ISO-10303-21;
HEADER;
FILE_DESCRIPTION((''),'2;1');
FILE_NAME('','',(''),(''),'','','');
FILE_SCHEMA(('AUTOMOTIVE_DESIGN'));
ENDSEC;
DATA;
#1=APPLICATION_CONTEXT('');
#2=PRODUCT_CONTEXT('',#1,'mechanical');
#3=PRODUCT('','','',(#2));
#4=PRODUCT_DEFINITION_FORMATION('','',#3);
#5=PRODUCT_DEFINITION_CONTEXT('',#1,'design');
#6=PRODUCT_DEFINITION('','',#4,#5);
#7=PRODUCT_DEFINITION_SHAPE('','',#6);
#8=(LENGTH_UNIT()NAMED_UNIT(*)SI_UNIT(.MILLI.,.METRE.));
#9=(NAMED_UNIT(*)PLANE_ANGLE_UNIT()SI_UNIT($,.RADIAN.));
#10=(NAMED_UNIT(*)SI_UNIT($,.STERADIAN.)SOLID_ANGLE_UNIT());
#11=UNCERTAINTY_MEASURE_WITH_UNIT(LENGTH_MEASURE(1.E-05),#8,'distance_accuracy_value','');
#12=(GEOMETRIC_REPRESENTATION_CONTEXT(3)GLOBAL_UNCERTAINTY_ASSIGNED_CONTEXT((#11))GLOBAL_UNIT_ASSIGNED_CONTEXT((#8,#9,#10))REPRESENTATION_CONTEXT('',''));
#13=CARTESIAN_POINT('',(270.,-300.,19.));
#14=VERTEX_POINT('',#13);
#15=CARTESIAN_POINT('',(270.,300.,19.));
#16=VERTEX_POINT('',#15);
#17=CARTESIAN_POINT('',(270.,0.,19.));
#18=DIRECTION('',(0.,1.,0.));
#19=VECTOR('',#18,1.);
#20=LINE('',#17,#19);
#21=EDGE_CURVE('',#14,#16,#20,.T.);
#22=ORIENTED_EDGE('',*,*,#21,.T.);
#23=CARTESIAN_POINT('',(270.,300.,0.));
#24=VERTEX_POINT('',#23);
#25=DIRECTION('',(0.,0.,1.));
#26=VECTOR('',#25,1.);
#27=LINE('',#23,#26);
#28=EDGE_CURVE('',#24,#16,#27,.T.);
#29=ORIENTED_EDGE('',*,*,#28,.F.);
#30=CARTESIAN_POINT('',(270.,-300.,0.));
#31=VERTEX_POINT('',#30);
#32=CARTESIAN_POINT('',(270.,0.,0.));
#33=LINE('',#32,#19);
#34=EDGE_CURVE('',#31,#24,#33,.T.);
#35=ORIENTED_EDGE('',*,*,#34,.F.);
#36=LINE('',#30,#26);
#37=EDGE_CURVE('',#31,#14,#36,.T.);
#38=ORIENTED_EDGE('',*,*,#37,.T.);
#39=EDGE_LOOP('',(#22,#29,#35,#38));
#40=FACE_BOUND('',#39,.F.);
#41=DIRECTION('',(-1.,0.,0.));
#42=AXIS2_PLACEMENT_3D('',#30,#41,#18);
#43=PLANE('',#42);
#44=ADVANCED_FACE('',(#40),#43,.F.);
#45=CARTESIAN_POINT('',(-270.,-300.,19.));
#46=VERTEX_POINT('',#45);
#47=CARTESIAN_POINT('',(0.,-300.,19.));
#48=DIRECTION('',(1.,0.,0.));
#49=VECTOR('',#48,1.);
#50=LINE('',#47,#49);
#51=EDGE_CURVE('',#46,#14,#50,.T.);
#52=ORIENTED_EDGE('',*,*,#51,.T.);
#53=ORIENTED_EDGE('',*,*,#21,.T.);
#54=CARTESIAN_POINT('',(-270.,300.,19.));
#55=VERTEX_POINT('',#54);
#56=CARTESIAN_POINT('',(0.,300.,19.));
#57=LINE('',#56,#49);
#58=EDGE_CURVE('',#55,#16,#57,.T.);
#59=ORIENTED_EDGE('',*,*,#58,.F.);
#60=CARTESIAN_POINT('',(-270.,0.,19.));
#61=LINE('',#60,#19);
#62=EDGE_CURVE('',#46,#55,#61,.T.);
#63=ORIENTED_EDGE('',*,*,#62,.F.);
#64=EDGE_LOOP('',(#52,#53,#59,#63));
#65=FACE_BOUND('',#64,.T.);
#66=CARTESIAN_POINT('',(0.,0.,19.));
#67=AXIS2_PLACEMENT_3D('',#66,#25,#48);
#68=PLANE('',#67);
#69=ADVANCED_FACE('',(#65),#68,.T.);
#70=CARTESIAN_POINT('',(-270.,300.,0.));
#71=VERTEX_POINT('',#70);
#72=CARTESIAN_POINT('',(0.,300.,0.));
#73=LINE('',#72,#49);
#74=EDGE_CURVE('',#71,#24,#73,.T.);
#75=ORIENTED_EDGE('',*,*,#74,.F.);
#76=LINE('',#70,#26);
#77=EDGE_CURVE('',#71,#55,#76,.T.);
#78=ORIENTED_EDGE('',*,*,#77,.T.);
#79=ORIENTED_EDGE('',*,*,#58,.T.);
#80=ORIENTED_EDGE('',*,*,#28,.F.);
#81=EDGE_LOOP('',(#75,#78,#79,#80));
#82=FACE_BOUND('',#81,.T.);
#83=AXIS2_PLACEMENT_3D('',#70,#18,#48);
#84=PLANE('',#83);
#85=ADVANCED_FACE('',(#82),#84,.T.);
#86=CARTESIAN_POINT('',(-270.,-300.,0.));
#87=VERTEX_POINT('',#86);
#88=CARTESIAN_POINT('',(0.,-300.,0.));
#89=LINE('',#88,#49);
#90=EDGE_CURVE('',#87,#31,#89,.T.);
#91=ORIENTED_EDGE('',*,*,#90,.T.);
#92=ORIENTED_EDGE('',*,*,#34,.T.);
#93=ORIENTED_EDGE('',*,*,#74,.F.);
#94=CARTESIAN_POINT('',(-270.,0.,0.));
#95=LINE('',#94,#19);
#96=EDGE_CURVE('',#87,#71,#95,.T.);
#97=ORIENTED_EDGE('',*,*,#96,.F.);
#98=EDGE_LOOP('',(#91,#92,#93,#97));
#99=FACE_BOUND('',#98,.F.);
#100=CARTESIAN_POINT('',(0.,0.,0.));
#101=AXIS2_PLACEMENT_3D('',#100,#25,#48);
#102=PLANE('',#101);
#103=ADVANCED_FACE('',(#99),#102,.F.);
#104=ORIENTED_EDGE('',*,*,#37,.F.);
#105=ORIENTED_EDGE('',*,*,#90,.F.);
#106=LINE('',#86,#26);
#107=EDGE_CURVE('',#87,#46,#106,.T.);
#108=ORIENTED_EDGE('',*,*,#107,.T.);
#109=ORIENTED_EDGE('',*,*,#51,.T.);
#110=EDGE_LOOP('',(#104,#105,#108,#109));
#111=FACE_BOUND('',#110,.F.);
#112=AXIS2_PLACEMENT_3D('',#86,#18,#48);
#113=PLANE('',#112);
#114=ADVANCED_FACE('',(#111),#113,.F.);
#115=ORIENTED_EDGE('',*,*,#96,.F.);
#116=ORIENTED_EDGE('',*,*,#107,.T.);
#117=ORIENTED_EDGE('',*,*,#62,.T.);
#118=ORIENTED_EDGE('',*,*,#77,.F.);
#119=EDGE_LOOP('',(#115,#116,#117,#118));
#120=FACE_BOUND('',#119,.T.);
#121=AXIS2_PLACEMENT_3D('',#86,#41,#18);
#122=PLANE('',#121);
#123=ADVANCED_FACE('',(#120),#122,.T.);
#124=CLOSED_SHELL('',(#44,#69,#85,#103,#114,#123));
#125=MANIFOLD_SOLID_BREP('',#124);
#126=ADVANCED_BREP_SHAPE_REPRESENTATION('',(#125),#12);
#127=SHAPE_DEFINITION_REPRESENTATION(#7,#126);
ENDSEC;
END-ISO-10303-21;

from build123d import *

# Parameters (mm, degrees)
SKETCH_W  = 540
SKETCH_H  = 600
PAD_DEPTH = 19


with BuildPart() as part:
    # Sketch → Pad (new body)
    with BuildSketch(Plane.XY):
        Rectangle(SKETCH_W, SKETCH_H)
    extrude(amount=PAD_DEPTH)


solid = part.part
